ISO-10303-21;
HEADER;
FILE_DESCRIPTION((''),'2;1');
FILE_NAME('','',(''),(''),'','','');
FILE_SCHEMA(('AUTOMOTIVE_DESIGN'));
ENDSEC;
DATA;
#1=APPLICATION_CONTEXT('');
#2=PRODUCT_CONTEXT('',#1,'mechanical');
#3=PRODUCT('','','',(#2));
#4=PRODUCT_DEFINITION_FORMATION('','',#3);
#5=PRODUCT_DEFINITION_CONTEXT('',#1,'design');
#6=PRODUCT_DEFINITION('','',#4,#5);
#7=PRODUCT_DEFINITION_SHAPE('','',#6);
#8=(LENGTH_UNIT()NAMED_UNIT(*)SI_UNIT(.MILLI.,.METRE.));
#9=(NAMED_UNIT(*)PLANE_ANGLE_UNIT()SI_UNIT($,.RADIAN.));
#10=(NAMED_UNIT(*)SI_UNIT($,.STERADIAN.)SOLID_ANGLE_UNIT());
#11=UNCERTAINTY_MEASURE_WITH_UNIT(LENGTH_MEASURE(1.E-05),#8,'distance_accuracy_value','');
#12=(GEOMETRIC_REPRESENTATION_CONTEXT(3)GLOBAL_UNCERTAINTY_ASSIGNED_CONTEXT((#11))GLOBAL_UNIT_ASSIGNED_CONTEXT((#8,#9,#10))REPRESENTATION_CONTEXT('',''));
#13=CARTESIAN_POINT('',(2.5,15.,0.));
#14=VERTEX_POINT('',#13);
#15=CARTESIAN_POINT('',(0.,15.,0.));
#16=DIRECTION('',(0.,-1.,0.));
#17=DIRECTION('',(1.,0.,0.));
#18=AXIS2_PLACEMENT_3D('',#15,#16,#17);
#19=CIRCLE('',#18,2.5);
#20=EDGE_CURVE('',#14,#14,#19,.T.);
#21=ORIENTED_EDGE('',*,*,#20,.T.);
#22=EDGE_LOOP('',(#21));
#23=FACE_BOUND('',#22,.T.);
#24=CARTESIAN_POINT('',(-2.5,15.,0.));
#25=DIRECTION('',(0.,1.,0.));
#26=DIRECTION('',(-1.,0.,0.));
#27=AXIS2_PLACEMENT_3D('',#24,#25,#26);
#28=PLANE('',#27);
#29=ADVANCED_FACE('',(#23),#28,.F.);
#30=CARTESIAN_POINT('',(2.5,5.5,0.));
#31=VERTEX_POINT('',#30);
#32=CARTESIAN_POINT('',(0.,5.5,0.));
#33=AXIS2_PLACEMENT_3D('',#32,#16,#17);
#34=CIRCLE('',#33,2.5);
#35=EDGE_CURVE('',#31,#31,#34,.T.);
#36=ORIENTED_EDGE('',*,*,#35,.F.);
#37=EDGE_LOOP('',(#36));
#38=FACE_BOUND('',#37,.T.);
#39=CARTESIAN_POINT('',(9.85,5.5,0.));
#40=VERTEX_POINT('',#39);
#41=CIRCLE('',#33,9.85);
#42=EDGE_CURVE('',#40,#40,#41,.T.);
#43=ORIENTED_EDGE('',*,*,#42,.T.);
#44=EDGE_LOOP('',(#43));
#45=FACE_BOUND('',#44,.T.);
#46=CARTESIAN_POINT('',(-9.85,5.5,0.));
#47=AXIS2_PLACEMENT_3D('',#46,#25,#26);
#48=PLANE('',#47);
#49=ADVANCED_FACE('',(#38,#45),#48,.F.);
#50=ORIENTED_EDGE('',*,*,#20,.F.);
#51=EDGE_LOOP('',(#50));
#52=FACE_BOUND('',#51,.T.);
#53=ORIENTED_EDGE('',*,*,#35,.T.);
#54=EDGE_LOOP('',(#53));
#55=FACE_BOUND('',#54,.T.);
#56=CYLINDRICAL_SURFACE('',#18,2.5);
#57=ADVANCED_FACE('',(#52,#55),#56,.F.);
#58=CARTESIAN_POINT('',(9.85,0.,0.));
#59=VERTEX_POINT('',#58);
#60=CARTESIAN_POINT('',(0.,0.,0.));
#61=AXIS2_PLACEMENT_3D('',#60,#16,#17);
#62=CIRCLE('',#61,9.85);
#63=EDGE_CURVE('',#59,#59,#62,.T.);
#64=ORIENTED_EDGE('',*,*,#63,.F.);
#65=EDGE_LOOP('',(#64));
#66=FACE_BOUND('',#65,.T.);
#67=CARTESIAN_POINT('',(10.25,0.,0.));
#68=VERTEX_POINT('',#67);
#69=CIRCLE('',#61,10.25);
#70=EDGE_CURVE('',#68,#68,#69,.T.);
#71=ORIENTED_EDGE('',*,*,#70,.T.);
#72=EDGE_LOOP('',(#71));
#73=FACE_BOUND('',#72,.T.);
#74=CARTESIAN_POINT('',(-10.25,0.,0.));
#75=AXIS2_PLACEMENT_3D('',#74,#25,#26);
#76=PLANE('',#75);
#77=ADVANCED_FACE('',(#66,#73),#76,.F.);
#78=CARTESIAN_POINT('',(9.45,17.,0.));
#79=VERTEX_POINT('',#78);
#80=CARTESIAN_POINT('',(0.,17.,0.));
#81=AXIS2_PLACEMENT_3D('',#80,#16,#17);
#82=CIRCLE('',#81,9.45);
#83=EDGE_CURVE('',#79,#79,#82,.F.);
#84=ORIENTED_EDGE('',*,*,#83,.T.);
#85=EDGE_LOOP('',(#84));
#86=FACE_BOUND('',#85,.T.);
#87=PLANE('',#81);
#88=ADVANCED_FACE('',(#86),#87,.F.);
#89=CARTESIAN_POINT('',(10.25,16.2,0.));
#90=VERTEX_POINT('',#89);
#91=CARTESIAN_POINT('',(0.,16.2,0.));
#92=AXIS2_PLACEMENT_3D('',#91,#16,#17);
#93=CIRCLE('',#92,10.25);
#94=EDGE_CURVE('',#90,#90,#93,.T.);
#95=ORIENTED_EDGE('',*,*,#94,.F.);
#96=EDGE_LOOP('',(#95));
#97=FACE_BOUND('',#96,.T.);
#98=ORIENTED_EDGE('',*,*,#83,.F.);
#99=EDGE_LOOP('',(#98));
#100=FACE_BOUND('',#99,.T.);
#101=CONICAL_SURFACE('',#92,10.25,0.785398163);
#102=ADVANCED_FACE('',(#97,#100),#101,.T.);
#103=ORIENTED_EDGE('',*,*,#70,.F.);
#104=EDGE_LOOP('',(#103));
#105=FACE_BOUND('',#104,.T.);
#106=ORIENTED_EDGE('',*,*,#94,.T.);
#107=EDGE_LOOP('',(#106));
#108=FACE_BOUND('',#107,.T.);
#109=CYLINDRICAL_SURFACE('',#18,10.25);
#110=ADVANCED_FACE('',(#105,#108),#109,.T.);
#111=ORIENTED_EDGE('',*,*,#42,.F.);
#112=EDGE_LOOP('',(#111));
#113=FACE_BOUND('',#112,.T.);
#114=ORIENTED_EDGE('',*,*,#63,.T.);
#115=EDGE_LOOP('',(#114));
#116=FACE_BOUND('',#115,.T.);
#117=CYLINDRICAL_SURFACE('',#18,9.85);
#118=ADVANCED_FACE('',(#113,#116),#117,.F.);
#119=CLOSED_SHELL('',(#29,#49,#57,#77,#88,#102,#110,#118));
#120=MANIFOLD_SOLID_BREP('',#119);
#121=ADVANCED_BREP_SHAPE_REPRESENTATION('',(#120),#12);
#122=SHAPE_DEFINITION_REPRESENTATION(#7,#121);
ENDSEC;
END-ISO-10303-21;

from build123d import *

# Parameters (mm, degrees)
CHAMFER_1_SIZE = 0.8


with BuildPart() as part:
    # Эскиз1 → Повернуть1 (revolve)
    with BuildSketch(Plane.XY, mode=Mode.PRIVATE) as revolve_1_sk:
        Polygon((-2.5, 5.5), (-2.5, 15), (0, 15), (0, 17), (-10.25, 17), (-10.25, 0), (-9.85, 0), (-9.85, 5.5), align=None)
    revolve(revolve_1_sk.sketch.rotate(Axis((0, 15, 0), (0, 1, 0)), 180), axis=Axis((0, 15, 0), (0, 1, 0)))

    # Фаска1
    chamfer_1_edges = [part.edges().sort_by_distance(p)[0] for p in [
        (-10.25, 17, 0),
    ]]
    chamfer(chamfer_1_edges, length=CHAMFER_1_SIZE)


solid = part.part
